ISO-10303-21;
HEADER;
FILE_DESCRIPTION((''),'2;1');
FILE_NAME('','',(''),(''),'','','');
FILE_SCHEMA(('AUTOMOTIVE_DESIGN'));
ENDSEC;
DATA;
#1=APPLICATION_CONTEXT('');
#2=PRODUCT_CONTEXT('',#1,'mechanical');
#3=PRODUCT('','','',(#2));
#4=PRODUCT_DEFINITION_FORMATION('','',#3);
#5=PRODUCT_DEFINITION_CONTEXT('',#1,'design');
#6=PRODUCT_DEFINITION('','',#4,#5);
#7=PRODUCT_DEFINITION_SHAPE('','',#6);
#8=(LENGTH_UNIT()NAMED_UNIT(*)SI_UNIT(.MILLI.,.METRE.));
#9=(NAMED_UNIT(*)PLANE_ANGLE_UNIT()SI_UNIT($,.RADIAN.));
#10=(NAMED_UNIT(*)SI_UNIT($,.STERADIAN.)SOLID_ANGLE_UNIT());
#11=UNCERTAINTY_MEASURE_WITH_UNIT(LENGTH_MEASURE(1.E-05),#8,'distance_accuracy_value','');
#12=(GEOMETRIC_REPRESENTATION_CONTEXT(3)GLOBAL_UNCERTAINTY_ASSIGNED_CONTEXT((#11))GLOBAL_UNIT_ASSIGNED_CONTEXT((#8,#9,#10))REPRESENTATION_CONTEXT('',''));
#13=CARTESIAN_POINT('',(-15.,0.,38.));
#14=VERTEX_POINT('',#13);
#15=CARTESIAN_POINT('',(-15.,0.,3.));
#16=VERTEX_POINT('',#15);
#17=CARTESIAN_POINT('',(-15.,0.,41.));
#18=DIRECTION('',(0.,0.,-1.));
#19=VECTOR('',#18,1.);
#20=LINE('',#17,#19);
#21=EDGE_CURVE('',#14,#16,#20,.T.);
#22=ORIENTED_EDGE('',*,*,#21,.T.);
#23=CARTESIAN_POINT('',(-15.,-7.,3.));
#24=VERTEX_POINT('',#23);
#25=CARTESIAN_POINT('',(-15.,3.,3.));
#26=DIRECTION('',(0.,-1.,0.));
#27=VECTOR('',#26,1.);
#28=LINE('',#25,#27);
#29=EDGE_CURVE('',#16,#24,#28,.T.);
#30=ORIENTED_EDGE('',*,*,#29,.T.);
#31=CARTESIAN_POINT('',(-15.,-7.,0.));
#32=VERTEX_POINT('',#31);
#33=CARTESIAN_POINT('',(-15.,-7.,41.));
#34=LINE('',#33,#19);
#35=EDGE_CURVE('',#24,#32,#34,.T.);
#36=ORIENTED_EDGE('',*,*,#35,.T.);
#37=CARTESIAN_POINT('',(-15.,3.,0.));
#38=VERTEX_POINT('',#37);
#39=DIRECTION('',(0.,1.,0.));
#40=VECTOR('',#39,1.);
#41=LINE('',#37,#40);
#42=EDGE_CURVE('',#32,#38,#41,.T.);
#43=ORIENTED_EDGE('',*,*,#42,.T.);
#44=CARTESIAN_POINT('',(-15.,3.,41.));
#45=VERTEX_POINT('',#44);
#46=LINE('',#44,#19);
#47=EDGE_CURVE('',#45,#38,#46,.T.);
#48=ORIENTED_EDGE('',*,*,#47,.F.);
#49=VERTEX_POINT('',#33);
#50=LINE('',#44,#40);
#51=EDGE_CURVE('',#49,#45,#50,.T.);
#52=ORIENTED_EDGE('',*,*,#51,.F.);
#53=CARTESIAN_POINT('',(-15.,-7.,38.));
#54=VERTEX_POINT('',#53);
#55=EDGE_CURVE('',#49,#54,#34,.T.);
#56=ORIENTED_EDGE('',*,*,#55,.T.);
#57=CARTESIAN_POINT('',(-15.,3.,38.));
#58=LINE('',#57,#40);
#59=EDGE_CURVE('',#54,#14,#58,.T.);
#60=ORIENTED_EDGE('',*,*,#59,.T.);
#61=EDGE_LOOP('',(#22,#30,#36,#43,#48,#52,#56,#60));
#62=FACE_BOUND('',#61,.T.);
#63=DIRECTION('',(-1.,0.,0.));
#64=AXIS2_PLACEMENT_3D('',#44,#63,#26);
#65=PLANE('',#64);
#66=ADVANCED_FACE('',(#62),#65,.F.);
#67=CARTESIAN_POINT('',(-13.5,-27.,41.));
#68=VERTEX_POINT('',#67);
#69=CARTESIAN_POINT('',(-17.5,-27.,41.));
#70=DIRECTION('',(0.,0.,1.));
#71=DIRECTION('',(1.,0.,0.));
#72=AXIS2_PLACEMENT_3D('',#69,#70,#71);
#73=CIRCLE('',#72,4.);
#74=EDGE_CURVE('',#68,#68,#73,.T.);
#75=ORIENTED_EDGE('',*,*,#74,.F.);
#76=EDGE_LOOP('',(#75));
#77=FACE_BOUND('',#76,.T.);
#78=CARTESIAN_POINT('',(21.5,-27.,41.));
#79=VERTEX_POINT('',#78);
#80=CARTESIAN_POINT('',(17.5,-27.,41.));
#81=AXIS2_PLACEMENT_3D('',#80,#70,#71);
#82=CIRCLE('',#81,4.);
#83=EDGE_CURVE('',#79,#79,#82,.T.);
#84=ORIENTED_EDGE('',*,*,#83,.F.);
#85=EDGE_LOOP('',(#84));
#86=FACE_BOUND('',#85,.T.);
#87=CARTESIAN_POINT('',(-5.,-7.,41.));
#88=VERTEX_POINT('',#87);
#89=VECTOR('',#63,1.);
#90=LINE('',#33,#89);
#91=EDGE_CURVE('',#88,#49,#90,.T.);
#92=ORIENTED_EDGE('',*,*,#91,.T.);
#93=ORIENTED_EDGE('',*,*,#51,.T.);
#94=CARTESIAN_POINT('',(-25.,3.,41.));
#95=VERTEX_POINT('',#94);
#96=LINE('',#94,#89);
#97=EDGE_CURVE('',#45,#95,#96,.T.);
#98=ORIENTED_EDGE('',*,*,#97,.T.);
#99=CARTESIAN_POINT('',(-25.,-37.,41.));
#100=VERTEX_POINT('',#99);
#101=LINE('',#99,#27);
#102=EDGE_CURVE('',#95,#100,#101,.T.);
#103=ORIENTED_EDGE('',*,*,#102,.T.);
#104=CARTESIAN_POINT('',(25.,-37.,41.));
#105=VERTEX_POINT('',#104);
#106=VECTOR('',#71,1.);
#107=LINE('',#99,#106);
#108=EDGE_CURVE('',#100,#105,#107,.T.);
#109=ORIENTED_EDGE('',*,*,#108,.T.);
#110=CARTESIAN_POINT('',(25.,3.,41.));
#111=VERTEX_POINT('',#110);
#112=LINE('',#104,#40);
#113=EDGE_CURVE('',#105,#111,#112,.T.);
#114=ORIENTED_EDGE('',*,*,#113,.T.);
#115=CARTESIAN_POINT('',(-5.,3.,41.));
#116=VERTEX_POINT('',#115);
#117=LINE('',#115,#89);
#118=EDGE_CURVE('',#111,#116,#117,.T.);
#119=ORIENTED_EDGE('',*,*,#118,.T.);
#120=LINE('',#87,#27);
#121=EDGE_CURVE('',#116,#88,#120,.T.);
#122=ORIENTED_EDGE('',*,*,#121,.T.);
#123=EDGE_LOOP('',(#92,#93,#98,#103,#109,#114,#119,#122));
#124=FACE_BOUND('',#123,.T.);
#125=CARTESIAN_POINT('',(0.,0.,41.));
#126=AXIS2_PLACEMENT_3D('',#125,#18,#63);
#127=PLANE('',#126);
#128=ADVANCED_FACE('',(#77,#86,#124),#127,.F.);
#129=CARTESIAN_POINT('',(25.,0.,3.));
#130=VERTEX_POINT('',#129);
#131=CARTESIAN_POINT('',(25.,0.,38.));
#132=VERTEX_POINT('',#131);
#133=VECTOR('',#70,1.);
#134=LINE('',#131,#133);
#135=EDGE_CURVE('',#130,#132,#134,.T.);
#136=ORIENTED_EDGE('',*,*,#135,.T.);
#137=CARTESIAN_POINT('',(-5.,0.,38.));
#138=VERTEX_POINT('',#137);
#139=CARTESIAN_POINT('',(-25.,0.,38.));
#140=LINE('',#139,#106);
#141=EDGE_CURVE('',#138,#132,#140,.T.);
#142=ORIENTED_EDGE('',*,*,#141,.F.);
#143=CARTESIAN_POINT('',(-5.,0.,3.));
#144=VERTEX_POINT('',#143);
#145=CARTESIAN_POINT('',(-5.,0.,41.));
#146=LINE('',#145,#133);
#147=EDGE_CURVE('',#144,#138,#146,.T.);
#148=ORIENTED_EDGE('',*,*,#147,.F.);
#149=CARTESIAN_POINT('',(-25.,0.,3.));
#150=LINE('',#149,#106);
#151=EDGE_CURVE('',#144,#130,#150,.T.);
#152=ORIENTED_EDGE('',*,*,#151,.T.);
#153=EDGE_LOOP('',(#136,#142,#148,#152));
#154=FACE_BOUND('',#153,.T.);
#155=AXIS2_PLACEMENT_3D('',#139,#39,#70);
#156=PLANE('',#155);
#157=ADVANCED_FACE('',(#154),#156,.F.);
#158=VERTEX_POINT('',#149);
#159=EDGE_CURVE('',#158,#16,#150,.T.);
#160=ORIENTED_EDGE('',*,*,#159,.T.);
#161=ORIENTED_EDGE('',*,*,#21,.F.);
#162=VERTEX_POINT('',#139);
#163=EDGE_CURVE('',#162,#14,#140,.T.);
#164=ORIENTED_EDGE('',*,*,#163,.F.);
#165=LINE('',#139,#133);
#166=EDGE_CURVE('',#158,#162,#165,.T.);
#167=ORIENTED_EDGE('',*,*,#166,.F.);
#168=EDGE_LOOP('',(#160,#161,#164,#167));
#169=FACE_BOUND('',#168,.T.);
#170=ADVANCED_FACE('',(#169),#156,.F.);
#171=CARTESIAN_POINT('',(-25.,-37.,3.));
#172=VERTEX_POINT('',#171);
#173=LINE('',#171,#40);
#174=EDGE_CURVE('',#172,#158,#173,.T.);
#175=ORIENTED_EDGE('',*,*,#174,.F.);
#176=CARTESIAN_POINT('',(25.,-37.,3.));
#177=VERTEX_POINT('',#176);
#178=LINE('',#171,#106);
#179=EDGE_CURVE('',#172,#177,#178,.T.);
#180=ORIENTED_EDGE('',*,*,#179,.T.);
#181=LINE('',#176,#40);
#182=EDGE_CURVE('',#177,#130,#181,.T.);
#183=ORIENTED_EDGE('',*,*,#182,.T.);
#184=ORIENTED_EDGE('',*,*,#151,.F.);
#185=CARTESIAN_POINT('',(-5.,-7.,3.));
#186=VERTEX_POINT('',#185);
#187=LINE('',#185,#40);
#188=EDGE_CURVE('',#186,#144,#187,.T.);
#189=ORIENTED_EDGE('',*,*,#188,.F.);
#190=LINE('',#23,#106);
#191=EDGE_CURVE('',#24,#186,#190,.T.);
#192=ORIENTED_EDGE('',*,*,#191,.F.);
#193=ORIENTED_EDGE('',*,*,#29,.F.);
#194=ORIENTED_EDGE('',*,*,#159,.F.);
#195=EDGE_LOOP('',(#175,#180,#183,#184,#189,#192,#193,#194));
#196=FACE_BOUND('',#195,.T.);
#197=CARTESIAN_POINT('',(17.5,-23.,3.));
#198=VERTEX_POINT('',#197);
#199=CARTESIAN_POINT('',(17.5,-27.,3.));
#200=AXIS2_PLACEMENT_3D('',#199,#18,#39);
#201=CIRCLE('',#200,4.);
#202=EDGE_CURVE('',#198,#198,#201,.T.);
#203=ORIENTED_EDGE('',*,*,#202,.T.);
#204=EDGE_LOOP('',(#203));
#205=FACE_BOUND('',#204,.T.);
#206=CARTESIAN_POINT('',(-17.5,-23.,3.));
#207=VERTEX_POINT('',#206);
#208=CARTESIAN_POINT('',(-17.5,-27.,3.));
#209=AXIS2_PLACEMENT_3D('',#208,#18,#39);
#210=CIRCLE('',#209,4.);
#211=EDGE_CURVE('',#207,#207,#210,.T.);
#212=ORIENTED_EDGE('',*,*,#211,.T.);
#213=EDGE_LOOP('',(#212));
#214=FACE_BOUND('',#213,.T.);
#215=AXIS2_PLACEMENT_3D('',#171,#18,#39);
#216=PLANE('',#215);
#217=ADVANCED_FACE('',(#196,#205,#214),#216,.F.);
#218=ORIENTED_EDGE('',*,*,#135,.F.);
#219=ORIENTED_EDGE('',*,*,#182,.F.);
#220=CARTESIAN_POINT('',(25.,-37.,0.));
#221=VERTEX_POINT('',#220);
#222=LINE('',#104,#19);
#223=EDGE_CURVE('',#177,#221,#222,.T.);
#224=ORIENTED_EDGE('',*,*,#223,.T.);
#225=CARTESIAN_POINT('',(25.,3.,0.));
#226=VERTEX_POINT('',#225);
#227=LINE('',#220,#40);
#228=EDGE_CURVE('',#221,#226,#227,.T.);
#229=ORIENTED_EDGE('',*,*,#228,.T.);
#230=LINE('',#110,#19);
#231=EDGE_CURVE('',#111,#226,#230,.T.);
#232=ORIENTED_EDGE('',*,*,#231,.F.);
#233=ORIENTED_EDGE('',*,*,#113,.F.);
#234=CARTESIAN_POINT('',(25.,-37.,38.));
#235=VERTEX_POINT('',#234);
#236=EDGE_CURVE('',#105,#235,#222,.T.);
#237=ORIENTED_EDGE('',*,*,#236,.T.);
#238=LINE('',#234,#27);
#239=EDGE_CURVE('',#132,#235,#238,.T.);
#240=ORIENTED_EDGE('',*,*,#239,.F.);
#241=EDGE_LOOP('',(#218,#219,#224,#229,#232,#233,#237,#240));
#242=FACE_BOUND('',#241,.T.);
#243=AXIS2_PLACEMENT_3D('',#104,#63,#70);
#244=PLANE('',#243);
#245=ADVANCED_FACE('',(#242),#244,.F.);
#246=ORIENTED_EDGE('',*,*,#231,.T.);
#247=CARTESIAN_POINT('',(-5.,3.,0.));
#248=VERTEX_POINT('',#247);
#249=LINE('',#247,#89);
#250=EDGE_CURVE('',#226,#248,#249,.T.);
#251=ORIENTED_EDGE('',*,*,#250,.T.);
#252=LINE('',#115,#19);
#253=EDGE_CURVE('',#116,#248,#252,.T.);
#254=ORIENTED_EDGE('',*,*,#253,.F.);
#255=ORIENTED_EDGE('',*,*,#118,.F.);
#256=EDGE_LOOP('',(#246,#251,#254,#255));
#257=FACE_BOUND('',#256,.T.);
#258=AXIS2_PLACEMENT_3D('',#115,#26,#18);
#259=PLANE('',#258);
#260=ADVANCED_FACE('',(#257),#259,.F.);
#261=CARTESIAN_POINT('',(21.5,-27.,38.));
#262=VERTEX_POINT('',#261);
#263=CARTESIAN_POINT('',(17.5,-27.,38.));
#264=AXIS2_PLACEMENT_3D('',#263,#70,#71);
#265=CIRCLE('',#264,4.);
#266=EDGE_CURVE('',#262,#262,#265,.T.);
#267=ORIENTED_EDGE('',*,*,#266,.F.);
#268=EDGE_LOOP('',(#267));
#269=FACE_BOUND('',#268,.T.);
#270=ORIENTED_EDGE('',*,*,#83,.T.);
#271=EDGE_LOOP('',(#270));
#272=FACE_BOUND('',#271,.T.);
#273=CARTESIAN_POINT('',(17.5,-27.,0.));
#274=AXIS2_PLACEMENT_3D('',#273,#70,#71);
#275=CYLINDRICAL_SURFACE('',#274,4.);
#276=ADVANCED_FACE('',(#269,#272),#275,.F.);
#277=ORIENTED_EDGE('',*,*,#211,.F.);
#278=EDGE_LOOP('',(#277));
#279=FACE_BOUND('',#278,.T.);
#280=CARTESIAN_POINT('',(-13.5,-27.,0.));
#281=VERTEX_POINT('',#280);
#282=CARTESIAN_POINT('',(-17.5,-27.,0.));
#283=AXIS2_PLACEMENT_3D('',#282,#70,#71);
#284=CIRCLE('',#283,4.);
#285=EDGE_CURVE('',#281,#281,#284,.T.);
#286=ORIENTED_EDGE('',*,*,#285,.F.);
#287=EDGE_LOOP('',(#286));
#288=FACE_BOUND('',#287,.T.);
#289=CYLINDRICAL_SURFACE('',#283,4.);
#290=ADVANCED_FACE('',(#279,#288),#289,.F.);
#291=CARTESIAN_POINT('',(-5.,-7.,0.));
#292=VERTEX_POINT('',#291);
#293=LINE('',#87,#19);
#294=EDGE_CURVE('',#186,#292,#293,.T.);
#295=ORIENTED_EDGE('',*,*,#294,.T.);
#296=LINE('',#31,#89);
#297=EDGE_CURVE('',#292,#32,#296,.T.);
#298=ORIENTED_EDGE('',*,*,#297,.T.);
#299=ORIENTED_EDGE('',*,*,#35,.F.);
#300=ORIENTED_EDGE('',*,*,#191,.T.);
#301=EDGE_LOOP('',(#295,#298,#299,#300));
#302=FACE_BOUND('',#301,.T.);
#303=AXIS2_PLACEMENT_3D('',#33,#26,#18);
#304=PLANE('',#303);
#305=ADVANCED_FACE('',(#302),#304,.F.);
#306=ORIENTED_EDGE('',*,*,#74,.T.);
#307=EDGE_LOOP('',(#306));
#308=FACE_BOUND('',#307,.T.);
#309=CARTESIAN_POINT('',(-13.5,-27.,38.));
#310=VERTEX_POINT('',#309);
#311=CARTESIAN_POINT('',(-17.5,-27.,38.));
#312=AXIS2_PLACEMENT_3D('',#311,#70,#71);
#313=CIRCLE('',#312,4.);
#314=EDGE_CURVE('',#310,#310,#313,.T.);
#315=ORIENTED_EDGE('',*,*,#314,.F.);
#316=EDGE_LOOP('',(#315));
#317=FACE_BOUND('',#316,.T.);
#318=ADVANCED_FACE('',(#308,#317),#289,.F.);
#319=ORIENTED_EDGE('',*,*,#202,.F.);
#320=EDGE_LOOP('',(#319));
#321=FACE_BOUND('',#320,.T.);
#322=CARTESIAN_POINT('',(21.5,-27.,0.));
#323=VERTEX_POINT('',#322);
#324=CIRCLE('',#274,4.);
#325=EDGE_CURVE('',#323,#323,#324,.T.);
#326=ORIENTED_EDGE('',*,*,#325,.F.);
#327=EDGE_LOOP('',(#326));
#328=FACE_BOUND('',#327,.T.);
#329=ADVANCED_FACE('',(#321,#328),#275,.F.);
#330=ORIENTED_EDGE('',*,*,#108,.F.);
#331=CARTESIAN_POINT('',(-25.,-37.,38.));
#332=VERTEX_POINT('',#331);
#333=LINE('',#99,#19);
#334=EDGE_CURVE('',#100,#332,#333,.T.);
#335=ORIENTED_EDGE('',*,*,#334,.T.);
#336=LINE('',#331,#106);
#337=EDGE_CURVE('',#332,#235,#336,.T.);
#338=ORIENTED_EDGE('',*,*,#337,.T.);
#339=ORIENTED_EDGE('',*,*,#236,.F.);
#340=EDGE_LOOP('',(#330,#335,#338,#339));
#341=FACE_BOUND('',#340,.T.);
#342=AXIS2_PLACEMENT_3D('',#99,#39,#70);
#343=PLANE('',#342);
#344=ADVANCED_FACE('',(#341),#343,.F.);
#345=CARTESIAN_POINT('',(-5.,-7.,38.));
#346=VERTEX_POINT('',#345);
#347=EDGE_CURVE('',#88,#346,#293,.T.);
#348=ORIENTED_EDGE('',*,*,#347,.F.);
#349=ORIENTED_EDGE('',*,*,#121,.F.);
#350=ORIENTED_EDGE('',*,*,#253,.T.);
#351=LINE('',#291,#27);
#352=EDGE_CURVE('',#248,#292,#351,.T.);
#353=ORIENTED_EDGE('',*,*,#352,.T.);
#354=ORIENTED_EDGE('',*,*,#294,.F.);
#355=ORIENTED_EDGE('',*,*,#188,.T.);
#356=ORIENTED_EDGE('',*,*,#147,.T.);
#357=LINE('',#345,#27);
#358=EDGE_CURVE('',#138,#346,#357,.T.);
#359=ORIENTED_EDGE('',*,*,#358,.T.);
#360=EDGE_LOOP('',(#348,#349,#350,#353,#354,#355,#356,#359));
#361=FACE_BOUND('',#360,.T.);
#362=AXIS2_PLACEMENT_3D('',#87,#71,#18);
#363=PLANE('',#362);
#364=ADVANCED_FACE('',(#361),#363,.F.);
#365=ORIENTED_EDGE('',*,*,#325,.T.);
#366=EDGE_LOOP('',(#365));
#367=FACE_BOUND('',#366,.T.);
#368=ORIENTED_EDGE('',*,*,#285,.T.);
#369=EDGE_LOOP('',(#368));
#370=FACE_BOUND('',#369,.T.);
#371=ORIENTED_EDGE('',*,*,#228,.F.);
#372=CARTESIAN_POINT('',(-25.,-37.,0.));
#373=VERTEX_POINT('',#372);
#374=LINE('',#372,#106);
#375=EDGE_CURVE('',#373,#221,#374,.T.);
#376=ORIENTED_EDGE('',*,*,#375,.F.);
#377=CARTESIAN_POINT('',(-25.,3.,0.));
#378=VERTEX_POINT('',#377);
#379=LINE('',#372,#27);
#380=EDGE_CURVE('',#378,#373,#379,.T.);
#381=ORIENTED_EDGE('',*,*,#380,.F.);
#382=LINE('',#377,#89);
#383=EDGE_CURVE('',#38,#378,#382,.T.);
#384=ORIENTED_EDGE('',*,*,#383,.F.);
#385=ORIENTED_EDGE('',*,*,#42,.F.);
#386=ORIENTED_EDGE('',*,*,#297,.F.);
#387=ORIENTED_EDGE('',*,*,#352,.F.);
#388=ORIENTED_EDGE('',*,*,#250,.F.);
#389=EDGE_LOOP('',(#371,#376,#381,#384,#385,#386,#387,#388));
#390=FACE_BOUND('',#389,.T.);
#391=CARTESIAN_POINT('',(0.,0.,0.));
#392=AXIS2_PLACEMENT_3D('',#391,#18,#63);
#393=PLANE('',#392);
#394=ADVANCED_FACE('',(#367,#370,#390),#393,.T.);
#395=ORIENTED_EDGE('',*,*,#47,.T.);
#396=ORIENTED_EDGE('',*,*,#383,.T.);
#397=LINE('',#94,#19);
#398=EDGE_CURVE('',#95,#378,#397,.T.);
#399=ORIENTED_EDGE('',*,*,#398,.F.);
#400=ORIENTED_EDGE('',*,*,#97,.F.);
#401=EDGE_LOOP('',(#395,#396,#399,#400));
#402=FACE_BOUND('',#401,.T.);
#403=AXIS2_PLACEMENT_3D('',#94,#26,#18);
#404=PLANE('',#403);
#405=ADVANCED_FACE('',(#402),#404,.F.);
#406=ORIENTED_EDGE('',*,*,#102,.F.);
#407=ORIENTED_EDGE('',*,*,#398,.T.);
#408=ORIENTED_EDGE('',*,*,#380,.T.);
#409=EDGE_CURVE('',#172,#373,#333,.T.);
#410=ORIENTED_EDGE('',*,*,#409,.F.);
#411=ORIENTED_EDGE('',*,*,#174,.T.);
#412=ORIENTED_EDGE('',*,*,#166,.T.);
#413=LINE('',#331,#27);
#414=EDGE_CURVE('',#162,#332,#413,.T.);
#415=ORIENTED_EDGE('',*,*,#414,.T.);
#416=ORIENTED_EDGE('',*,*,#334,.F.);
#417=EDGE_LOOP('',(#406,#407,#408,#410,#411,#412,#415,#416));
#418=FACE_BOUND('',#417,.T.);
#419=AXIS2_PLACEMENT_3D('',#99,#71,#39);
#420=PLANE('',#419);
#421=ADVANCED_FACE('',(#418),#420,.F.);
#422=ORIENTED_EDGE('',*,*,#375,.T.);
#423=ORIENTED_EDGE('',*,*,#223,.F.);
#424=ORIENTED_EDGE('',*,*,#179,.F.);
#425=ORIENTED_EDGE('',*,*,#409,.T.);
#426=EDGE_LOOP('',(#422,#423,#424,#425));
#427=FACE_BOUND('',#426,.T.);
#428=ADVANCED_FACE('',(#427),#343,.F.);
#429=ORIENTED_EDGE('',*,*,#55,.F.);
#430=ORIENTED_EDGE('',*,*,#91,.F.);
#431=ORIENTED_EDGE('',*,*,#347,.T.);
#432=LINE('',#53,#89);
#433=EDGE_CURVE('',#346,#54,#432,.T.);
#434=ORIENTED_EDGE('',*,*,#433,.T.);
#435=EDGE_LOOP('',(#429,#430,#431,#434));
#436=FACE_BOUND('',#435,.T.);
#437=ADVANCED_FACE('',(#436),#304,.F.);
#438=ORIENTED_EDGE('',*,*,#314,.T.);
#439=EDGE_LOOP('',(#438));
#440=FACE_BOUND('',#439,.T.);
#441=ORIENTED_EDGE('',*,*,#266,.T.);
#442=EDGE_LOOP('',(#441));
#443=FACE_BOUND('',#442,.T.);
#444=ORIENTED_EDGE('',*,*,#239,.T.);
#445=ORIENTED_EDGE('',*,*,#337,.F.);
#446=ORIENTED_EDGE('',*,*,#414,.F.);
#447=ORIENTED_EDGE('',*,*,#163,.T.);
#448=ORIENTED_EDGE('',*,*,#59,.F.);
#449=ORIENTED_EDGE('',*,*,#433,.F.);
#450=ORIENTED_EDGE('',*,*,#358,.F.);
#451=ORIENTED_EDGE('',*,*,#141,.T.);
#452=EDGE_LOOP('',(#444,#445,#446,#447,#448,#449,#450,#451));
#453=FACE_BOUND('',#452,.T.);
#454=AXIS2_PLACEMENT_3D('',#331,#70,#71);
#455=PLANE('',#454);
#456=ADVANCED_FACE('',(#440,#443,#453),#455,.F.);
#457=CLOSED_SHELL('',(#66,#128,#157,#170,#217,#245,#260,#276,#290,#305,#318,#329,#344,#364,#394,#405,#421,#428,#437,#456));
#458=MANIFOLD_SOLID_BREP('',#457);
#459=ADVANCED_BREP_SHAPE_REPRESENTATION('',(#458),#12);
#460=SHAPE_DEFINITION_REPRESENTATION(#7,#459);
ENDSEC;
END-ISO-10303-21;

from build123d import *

# Parameters (mm, degrees)
EXTRUDE_1_DEPTH     = 41
SKETCH_2_W          = 35
SKETCH_2_H          = 37
CUT_EXTRUDE_1_DEPTH = 75.498322129
SKETCH_3_R          = 4
CUT_EXTRUDE_2_DEPTH = 61.621778265


with BuildPart() as part:
    # ｽｹｯﾁ1 → ﾎﾞｽ - 押し出し1 (new body)
    with BuildSketch(Plane.XY):
        Polygon((-25, -37), (25, -37), (25, 3), (-5, 3), (-5, -7), (-15, -7), (-15, 3), (-25, 3), align=None)
    extrude(amount=EXTRUDE_1_DEPTH)

    # ｽｹｯﾁ2 → ｶｯﾄ - 押し出し1 (cut, through all)
    with BuildSketch(Plane(origin=(25, 0, 0), x_dir=(0, 0, -1), z_dir=(1, 0, 0))):
        with Locations((-20.5, -18.5)):
            Rectangle(SKETCH_2_W, SKETCH_2_H)
    extrude(amount=-CUT_EXTRUDE_1_DEPTH, mode=Mode.SUBTRACT)

    # ｽｹｯﾁ3 → ｶｯﾄ - 押し出し2 (cut, through all)
    with BuildSketch(Plane.XY.offset(41)):
        with Locations((-17.5, -27)):
            Circle(SKETCH_3_R)
        with Locations((17.5, -27)):
            Circle(SKETCH_3_R)
    extrude(amount=-CUT_EXTRUDE_2_DEPTH, mode=Mode.SUBTRACT)


solid = part.part
